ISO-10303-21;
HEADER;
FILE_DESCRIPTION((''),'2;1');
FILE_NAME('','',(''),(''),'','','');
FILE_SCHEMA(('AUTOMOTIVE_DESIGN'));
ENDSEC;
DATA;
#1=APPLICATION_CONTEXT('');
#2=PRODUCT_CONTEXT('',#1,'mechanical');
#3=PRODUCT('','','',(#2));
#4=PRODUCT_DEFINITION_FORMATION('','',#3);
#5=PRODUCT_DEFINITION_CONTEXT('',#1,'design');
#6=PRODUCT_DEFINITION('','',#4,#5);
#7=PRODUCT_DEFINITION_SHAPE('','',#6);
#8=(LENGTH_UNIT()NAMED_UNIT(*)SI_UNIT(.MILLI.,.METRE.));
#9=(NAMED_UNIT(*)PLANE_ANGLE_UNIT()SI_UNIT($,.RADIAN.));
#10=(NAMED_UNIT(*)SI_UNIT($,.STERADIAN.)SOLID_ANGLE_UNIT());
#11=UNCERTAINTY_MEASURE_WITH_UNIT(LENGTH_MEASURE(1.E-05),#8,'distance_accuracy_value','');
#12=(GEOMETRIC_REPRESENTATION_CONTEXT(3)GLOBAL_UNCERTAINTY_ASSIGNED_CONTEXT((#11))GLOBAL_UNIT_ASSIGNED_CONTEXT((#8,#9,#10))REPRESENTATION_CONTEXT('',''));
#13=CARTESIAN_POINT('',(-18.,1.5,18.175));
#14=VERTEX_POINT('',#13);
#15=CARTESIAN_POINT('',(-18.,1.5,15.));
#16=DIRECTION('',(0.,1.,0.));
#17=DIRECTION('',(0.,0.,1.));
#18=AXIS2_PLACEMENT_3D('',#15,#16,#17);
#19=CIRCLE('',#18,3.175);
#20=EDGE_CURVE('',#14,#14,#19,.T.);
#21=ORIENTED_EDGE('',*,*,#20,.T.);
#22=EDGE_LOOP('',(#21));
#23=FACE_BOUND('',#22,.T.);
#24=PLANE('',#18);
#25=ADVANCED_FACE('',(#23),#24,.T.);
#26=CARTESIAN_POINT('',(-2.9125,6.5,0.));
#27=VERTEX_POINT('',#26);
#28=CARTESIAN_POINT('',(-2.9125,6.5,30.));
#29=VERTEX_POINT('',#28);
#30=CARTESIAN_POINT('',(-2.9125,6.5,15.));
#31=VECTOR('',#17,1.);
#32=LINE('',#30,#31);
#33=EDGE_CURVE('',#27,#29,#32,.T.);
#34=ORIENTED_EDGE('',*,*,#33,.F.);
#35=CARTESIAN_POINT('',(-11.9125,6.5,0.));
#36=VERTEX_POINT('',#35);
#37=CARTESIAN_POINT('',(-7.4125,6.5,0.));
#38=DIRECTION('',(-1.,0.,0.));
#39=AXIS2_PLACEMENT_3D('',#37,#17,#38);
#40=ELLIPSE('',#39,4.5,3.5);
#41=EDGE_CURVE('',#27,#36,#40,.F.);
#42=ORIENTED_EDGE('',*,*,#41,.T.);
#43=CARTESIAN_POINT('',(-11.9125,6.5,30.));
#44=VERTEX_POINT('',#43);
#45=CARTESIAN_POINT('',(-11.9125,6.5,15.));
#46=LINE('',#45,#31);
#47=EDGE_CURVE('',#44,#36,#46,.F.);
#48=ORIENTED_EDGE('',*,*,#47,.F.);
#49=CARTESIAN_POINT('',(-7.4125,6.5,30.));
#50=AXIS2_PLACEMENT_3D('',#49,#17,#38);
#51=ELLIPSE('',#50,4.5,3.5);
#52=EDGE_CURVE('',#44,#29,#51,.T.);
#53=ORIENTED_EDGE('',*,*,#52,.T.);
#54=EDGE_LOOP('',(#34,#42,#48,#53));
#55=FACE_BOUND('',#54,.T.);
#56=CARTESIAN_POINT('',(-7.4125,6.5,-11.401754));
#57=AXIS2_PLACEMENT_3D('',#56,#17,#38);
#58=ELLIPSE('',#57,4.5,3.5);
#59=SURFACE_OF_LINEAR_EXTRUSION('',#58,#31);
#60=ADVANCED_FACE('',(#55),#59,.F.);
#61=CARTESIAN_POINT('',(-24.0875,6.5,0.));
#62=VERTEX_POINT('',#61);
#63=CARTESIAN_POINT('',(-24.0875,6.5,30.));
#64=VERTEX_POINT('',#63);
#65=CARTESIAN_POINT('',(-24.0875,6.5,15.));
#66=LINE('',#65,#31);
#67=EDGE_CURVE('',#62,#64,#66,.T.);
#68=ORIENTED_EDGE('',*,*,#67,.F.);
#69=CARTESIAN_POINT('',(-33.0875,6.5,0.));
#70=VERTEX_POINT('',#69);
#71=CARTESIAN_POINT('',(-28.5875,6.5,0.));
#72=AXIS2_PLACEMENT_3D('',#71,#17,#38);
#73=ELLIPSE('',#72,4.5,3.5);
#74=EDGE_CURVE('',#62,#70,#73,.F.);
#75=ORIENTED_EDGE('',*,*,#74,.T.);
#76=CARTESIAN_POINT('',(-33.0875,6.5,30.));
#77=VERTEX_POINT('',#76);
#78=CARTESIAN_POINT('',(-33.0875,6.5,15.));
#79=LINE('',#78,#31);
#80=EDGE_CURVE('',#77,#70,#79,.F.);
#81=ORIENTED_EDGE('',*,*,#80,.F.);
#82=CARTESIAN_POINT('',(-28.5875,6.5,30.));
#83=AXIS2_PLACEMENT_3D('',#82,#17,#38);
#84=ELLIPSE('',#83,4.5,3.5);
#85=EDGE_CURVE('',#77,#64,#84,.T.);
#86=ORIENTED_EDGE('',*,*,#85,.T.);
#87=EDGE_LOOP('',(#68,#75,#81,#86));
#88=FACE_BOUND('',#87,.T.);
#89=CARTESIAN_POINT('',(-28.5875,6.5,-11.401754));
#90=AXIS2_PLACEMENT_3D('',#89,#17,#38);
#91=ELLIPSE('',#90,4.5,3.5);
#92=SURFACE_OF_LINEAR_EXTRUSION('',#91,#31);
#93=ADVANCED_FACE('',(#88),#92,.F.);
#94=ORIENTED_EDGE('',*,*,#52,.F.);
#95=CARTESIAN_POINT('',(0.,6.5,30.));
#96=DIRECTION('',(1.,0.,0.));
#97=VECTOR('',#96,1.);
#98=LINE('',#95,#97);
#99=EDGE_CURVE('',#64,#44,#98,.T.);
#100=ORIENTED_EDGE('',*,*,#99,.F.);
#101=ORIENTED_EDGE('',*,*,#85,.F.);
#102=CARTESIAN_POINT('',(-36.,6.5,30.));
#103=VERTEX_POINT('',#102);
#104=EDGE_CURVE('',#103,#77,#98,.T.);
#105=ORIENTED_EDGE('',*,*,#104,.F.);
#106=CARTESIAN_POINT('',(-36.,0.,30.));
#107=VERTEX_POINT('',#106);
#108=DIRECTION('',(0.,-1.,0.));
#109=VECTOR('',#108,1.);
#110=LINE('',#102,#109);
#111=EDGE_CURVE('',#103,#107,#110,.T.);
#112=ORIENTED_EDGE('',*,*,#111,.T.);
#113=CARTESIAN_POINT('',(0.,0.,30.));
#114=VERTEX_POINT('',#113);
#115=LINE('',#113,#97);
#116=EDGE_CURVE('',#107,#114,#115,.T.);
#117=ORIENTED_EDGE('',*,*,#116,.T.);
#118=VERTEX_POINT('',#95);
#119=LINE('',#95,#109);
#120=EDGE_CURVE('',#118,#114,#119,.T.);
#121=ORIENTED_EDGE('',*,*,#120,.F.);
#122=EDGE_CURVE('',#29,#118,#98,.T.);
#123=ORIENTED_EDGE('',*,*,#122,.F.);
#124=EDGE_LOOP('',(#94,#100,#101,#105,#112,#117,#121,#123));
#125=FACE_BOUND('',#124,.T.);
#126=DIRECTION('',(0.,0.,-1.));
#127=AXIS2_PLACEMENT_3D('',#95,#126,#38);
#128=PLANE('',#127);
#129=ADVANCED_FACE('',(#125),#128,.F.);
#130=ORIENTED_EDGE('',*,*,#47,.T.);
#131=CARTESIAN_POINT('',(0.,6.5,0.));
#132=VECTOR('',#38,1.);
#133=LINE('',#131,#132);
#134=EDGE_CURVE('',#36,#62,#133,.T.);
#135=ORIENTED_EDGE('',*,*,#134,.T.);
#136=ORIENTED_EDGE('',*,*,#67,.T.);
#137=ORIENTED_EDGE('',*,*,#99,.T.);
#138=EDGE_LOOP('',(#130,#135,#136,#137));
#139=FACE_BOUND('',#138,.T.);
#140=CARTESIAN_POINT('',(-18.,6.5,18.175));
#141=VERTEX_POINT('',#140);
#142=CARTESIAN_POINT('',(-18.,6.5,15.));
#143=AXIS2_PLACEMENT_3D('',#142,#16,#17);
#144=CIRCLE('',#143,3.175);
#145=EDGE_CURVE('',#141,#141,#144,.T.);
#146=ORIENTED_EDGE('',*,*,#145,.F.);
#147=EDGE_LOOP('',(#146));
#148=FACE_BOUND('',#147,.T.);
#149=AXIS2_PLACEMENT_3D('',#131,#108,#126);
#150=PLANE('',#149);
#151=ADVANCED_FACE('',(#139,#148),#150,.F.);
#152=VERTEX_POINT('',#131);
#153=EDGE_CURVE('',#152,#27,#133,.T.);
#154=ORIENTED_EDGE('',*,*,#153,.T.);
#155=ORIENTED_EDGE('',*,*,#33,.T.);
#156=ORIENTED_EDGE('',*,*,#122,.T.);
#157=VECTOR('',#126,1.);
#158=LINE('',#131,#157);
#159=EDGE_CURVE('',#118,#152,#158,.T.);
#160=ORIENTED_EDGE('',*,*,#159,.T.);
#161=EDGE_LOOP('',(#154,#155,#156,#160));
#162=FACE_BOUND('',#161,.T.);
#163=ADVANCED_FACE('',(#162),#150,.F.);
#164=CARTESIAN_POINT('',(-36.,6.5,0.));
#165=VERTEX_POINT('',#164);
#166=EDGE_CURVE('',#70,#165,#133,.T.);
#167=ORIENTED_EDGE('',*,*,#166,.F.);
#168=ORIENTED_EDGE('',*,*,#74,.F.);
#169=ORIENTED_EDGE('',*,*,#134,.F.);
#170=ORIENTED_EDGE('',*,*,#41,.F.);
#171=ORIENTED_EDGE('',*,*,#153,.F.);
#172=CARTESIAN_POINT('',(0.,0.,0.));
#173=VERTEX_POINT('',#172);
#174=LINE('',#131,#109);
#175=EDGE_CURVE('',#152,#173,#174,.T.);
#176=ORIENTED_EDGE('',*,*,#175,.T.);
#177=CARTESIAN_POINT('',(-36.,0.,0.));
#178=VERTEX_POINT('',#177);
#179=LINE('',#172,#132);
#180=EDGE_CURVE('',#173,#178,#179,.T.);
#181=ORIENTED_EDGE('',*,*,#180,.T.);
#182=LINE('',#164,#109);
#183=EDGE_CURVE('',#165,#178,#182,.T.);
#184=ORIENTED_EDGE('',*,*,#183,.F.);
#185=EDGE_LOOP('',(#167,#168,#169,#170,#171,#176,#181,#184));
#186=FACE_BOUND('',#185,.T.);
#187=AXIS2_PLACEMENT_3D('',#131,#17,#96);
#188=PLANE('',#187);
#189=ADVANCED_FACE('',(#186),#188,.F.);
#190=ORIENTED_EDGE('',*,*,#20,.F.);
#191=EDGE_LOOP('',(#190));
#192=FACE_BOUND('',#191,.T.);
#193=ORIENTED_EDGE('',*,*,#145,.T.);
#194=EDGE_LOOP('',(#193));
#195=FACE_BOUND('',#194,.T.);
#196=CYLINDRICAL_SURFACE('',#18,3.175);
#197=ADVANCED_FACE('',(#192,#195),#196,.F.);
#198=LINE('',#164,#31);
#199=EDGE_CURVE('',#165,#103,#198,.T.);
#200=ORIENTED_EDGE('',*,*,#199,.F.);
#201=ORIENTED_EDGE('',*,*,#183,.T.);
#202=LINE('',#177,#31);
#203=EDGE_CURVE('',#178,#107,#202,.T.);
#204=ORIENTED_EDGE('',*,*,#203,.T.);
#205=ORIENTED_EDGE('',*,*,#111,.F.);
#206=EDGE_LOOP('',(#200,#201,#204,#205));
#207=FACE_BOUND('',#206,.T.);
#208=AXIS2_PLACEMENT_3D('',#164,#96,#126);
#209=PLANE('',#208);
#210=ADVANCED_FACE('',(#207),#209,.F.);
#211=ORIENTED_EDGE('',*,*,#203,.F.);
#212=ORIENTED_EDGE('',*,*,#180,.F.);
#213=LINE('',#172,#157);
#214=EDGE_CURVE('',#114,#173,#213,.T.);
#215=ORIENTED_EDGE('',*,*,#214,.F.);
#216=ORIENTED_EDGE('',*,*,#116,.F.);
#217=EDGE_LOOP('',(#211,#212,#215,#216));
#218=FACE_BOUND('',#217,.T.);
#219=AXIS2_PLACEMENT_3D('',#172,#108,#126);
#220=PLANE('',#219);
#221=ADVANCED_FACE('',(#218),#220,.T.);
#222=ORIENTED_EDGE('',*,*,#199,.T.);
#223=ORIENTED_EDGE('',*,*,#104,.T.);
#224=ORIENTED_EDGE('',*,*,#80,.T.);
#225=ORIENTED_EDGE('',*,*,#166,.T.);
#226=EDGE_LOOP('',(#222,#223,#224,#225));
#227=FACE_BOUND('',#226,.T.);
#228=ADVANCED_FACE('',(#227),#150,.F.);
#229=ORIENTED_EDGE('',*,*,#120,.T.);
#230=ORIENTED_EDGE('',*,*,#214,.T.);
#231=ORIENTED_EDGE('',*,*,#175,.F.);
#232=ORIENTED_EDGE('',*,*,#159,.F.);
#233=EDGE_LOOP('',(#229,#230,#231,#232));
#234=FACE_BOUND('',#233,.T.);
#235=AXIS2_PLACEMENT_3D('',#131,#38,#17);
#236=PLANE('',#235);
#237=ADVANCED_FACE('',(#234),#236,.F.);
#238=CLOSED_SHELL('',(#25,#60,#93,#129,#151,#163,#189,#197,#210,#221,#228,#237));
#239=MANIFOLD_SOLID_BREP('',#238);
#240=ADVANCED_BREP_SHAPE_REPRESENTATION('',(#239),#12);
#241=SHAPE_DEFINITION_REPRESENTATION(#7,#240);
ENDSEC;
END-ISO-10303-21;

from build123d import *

# Parameters (mm, degrees)
SKETCH1_W           = 36
SKETCH1_H           = 30
BOSS_EXTRUDE1_DEPTH = 6.5
SKETCH2_R           = 3.175
CUT_EXTRUDE1_DEPTH  = 5
SKETCH3_RX          = 4.5
SKETCH3_RY          = 3.5
CUT_EXTRUDE3_DEPTH  = 30


with BuildPart() as part:
    # Sketch1 → Boss-Extrude1 (new body)
    with BuildSketch(Plane(origin=(0, 0, 0), x_dir=(1, 0, 0), z_dir=(0, 1, 0))):
        with Locations((-18, -15)):
            Rectangle(SKETCH1_W, SKETCH1_H)
    extrude(amount=BOSS_EXTRUDE1_DEPTH)

    # Sketch2 → Cut-Extrude1 (cut)
    with BuildSketch(Plane(origin=(0, 6.5, 0), x_dir=(1, 0, 0), z_dir=(0, 1, 0))):
        with Locations((-18, -15)):
            Circle(SKETCH2_R)
    extrude(amount=-CUT_EXTRUDE1_DEPTH, mode=Mode.SUBTRACT)

    # Sketch3 → Cut-Extrude3 (cut)
    with BuildSketch(Plane.XY.offset(30)):
        with Locations(Location((-7.4125, 6.5), (0, 0, -180))):
            Ellipse(SKETCH3_RX, SKETCH3_RY)
        with Locations(Location((-28.5875, 6.5), (0, 0, 0))):
            Ellipse(SKETCH3_RX, SKETCH3_RY)
    extrude(amount=-CUT_EXTRUDE3_DEPTH, mode=Mode.SUBTRACT)


solid = part.part
